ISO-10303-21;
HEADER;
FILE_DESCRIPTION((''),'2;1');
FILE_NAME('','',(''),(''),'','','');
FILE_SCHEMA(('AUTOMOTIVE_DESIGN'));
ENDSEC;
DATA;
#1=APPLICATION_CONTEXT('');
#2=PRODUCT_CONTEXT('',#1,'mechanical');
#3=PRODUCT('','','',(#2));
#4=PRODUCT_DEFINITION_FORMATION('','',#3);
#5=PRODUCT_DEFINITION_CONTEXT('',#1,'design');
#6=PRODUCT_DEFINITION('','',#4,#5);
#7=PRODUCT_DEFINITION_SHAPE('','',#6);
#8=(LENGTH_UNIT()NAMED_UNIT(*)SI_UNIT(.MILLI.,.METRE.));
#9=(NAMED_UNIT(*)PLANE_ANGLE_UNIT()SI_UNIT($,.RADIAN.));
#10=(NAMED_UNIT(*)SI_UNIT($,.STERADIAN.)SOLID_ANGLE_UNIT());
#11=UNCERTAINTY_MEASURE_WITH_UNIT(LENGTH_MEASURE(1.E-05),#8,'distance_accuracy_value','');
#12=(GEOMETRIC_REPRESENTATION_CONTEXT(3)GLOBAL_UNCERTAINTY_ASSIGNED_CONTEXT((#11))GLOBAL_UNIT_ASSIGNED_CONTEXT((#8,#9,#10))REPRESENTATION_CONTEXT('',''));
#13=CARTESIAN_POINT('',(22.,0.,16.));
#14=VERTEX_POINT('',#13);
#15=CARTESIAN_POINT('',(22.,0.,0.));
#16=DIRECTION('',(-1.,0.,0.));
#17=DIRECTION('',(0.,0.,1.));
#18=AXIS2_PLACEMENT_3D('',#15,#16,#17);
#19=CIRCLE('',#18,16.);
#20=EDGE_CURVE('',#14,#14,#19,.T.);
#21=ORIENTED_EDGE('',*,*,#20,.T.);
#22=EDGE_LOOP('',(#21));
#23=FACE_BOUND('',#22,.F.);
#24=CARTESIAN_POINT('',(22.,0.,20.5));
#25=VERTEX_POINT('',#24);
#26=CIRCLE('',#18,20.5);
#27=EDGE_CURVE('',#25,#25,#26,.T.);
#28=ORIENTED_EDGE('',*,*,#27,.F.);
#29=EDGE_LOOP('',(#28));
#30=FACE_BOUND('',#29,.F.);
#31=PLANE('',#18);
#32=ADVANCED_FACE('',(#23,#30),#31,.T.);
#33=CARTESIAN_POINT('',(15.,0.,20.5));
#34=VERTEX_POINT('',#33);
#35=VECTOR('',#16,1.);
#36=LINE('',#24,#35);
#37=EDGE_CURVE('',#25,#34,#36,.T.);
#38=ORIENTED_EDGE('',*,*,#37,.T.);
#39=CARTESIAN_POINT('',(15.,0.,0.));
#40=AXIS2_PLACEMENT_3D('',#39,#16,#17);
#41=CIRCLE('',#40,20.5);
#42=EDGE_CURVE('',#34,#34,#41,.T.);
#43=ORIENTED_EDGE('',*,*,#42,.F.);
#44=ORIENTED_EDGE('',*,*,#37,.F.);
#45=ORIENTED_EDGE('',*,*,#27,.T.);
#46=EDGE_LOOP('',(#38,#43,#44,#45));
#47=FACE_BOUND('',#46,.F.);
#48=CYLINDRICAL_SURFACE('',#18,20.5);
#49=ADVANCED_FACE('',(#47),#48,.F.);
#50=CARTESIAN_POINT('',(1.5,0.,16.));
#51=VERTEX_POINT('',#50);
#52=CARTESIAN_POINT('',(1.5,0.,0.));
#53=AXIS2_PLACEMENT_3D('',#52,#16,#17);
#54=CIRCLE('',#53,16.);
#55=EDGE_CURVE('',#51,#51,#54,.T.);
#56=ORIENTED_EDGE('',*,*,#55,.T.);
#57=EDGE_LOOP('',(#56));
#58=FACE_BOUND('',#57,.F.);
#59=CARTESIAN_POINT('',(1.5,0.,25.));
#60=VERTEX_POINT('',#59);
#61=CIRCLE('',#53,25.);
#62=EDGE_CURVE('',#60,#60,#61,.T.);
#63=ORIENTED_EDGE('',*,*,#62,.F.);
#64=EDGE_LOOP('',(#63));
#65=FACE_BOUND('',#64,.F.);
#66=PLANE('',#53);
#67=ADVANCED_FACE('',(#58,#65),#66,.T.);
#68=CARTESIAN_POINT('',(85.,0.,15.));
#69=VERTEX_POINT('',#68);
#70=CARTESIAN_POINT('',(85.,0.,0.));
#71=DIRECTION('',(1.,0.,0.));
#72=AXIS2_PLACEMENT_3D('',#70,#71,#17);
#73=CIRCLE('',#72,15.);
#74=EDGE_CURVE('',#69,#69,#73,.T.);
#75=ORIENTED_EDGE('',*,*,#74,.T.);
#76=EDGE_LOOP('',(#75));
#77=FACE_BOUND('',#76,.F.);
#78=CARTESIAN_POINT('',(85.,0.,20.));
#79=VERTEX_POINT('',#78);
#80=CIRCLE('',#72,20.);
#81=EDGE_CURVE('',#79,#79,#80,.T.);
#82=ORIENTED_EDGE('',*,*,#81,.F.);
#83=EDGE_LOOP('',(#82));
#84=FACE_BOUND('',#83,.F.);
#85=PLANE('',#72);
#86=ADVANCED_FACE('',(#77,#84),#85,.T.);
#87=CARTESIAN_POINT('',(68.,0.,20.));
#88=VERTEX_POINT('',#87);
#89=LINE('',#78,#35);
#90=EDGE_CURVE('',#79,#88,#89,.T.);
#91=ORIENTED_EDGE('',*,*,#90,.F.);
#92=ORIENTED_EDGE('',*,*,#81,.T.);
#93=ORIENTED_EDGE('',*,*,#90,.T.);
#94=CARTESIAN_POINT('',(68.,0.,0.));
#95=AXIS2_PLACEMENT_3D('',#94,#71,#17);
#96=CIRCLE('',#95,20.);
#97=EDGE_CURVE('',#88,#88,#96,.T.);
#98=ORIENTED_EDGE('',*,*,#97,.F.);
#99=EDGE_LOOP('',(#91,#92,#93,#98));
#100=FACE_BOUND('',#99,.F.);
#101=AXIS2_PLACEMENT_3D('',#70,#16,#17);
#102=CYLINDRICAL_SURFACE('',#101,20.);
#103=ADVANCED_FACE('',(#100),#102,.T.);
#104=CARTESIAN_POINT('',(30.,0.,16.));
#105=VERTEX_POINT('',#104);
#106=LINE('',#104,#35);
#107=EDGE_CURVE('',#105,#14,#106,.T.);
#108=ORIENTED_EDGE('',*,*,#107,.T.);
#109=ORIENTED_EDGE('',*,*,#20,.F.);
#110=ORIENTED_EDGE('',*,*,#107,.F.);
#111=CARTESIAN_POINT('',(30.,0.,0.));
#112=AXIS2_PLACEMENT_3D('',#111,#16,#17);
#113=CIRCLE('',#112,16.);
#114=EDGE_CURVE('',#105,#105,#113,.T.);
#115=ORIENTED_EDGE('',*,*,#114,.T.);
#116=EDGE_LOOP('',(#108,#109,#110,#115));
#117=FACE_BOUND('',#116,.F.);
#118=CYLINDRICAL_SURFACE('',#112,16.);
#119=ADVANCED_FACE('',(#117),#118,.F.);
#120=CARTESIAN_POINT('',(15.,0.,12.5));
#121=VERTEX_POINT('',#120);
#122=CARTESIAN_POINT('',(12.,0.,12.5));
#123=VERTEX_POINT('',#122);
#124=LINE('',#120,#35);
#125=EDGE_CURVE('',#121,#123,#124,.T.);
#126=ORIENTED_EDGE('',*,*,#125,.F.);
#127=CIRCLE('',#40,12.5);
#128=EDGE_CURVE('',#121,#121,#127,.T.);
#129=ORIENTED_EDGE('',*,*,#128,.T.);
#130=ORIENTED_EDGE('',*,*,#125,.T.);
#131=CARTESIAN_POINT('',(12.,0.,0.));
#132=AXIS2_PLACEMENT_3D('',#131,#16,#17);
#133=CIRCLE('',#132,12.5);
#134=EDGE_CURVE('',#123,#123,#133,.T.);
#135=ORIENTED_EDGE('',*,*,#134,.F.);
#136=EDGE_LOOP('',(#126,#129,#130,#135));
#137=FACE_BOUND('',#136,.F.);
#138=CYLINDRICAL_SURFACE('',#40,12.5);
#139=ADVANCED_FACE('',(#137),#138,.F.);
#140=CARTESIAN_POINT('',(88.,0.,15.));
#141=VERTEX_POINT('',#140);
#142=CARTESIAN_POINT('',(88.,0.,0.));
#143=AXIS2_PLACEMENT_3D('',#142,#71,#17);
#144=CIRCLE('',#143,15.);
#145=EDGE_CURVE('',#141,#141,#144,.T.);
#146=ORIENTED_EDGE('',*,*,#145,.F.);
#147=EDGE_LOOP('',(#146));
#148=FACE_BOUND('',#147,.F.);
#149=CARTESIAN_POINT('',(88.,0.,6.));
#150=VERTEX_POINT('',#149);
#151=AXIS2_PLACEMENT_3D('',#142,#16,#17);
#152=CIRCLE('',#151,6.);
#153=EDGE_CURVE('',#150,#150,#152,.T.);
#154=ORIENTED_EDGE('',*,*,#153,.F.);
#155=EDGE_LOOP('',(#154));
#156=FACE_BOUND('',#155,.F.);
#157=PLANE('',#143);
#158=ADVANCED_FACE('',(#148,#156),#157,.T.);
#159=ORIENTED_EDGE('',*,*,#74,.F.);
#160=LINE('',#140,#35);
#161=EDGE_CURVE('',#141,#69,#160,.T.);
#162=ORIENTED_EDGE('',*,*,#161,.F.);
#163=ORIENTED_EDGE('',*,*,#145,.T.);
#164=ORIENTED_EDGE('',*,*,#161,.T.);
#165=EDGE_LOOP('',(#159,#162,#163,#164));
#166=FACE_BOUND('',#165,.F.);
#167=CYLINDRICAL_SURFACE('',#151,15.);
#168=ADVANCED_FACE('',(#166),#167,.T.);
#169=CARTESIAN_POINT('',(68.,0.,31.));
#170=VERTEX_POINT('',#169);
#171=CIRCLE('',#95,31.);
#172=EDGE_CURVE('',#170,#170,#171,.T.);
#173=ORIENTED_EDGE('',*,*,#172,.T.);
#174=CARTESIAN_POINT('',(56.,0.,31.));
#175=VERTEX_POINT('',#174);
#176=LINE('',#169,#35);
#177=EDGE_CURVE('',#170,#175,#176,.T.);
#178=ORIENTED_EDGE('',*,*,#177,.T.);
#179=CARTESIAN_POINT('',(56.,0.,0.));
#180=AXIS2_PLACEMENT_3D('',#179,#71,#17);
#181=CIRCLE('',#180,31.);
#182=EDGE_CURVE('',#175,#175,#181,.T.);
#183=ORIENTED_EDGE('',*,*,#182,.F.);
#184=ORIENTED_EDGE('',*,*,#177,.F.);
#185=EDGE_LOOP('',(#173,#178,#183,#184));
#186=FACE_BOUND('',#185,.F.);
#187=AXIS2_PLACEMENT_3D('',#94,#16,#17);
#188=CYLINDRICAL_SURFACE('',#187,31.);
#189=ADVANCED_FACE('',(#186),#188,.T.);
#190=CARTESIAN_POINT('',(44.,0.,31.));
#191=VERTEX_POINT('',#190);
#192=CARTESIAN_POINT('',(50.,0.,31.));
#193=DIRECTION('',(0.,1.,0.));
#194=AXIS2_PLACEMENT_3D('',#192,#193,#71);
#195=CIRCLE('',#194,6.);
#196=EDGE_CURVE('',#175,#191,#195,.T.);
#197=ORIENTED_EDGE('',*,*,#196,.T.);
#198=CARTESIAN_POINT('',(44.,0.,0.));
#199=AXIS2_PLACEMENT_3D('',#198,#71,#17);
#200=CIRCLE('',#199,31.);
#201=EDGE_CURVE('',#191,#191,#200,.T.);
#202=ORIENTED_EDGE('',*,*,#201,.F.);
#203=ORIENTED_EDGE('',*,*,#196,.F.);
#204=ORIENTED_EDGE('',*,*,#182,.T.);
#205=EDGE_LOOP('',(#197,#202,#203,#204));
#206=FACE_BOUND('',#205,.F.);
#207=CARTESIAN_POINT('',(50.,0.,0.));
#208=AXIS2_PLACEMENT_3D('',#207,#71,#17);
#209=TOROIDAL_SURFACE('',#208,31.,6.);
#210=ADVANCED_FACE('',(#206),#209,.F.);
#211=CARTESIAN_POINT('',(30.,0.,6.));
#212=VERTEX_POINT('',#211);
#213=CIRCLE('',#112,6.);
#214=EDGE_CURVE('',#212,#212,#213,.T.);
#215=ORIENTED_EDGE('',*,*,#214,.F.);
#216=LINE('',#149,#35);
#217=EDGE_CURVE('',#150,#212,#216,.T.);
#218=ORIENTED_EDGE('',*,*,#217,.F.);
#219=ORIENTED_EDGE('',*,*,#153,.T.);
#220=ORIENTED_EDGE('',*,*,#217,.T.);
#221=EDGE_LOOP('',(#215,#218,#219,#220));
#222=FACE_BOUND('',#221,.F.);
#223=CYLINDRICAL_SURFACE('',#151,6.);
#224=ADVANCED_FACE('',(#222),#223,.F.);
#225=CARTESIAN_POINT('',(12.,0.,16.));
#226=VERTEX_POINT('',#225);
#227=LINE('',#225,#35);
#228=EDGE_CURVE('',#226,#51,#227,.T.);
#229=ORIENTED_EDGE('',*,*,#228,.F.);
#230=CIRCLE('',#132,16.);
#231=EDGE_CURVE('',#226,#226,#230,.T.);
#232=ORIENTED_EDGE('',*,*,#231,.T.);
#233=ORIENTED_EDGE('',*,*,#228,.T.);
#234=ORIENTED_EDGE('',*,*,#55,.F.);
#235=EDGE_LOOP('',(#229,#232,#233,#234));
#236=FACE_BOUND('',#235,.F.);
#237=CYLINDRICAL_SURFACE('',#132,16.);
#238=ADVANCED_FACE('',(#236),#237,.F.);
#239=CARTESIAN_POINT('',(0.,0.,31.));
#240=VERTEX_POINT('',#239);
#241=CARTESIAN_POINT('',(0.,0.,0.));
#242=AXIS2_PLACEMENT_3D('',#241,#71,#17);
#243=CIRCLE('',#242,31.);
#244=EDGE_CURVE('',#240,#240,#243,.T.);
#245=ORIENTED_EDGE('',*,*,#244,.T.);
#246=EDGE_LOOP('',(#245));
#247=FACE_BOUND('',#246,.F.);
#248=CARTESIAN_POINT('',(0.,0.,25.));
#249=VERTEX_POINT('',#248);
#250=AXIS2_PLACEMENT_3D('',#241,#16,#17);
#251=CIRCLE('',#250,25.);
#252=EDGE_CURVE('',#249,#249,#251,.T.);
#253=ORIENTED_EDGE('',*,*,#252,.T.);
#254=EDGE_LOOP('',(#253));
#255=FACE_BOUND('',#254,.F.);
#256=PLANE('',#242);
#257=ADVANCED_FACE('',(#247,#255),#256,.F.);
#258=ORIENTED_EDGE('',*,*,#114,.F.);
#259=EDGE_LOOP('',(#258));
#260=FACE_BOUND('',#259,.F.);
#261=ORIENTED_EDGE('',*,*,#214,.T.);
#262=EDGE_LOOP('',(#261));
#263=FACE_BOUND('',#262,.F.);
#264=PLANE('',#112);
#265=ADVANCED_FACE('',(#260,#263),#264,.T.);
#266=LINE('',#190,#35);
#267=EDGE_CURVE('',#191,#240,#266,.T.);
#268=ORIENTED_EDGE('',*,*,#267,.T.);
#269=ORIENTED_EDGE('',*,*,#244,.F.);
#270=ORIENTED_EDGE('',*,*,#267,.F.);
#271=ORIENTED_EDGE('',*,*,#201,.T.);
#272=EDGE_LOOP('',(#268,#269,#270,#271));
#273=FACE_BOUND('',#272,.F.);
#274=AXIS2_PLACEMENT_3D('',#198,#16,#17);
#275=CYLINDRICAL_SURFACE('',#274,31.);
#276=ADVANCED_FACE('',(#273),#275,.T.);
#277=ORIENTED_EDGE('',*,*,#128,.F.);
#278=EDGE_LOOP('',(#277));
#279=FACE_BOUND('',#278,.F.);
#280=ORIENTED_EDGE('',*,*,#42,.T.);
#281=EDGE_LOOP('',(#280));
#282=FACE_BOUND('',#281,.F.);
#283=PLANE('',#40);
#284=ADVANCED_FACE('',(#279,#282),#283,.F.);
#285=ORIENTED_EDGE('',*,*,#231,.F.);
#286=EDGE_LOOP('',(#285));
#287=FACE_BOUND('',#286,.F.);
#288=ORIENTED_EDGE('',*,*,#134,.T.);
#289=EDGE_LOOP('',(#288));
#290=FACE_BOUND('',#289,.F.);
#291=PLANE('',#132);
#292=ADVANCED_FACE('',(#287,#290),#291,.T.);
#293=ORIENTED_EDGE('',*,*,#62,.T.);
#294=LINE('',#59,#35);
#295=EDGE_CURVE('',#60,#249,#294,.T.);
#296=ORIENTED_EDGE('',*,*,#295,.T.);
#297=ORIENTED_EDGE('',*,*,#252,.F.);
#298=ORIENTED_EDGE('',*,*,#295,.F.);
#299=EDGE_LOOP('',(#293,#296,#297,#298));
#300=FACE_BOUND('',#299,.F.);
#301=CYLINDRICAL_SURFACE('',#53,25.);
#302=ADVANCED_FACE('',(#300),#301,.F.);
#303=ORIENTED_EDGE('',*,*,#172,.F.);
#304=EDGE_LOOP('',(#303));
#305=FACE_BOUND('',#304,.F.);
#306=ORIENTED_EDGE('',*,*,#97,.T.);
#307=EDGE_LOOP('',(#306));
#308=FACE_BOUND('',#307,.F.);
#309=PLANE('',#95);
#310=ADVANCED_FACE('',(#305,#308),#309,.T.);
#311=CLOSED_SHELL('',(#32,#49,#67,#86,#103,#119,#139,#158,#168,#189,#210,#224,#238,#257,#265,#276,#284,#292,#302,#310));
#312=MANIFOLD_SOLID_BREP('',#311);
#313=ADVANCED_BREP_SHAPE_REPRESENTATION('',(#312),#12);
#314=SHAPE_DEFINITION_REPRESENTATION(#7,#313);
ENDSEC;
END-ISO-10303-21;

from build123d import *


with BuildPart() as f1:
    # F0 (on Front) → F1 (revolve)
    with BuildSketch(Plane.XZ):
        with BuildLine():
            Line((0, 31), (0, 0))
            Line((0, 0), (88, 0))
            Line((88, 0), (88, 15))
            Line((88, 15), (85, 15))
            Line((85, 15), (85, 20))
            Line((85, 20), (68, 20))
            Line((68, 20), (68, 31))
            Line((68, 31), (56, 31))
            ThreePointArc((56, 31), (50, 25), (44, 31))
            Line((44, 31), (0, 31))
        make_face()
    revolve(axis=Axis((89.068668, 0, 0), (1, 0, 0)))

    # F2 (on Front) → F3 (revolve, cut)
    with BuildSketch(Plane.XZ):
        Polygon((0, 25), (0, 0), (88, 0), (88, 6), (30, 6), (30, 16), (22, 16), (22, 20.5), (15, 20.5), (15, 12.5), (12, 12.5), (12, 16), (1.5, 16), (1.5, 25), align=None)
    revolve(axis=Axis((-26.017778, 0, 0), (-1, 0, 0)), mode=Mode.SUBTRACT)


solid = f1.part
